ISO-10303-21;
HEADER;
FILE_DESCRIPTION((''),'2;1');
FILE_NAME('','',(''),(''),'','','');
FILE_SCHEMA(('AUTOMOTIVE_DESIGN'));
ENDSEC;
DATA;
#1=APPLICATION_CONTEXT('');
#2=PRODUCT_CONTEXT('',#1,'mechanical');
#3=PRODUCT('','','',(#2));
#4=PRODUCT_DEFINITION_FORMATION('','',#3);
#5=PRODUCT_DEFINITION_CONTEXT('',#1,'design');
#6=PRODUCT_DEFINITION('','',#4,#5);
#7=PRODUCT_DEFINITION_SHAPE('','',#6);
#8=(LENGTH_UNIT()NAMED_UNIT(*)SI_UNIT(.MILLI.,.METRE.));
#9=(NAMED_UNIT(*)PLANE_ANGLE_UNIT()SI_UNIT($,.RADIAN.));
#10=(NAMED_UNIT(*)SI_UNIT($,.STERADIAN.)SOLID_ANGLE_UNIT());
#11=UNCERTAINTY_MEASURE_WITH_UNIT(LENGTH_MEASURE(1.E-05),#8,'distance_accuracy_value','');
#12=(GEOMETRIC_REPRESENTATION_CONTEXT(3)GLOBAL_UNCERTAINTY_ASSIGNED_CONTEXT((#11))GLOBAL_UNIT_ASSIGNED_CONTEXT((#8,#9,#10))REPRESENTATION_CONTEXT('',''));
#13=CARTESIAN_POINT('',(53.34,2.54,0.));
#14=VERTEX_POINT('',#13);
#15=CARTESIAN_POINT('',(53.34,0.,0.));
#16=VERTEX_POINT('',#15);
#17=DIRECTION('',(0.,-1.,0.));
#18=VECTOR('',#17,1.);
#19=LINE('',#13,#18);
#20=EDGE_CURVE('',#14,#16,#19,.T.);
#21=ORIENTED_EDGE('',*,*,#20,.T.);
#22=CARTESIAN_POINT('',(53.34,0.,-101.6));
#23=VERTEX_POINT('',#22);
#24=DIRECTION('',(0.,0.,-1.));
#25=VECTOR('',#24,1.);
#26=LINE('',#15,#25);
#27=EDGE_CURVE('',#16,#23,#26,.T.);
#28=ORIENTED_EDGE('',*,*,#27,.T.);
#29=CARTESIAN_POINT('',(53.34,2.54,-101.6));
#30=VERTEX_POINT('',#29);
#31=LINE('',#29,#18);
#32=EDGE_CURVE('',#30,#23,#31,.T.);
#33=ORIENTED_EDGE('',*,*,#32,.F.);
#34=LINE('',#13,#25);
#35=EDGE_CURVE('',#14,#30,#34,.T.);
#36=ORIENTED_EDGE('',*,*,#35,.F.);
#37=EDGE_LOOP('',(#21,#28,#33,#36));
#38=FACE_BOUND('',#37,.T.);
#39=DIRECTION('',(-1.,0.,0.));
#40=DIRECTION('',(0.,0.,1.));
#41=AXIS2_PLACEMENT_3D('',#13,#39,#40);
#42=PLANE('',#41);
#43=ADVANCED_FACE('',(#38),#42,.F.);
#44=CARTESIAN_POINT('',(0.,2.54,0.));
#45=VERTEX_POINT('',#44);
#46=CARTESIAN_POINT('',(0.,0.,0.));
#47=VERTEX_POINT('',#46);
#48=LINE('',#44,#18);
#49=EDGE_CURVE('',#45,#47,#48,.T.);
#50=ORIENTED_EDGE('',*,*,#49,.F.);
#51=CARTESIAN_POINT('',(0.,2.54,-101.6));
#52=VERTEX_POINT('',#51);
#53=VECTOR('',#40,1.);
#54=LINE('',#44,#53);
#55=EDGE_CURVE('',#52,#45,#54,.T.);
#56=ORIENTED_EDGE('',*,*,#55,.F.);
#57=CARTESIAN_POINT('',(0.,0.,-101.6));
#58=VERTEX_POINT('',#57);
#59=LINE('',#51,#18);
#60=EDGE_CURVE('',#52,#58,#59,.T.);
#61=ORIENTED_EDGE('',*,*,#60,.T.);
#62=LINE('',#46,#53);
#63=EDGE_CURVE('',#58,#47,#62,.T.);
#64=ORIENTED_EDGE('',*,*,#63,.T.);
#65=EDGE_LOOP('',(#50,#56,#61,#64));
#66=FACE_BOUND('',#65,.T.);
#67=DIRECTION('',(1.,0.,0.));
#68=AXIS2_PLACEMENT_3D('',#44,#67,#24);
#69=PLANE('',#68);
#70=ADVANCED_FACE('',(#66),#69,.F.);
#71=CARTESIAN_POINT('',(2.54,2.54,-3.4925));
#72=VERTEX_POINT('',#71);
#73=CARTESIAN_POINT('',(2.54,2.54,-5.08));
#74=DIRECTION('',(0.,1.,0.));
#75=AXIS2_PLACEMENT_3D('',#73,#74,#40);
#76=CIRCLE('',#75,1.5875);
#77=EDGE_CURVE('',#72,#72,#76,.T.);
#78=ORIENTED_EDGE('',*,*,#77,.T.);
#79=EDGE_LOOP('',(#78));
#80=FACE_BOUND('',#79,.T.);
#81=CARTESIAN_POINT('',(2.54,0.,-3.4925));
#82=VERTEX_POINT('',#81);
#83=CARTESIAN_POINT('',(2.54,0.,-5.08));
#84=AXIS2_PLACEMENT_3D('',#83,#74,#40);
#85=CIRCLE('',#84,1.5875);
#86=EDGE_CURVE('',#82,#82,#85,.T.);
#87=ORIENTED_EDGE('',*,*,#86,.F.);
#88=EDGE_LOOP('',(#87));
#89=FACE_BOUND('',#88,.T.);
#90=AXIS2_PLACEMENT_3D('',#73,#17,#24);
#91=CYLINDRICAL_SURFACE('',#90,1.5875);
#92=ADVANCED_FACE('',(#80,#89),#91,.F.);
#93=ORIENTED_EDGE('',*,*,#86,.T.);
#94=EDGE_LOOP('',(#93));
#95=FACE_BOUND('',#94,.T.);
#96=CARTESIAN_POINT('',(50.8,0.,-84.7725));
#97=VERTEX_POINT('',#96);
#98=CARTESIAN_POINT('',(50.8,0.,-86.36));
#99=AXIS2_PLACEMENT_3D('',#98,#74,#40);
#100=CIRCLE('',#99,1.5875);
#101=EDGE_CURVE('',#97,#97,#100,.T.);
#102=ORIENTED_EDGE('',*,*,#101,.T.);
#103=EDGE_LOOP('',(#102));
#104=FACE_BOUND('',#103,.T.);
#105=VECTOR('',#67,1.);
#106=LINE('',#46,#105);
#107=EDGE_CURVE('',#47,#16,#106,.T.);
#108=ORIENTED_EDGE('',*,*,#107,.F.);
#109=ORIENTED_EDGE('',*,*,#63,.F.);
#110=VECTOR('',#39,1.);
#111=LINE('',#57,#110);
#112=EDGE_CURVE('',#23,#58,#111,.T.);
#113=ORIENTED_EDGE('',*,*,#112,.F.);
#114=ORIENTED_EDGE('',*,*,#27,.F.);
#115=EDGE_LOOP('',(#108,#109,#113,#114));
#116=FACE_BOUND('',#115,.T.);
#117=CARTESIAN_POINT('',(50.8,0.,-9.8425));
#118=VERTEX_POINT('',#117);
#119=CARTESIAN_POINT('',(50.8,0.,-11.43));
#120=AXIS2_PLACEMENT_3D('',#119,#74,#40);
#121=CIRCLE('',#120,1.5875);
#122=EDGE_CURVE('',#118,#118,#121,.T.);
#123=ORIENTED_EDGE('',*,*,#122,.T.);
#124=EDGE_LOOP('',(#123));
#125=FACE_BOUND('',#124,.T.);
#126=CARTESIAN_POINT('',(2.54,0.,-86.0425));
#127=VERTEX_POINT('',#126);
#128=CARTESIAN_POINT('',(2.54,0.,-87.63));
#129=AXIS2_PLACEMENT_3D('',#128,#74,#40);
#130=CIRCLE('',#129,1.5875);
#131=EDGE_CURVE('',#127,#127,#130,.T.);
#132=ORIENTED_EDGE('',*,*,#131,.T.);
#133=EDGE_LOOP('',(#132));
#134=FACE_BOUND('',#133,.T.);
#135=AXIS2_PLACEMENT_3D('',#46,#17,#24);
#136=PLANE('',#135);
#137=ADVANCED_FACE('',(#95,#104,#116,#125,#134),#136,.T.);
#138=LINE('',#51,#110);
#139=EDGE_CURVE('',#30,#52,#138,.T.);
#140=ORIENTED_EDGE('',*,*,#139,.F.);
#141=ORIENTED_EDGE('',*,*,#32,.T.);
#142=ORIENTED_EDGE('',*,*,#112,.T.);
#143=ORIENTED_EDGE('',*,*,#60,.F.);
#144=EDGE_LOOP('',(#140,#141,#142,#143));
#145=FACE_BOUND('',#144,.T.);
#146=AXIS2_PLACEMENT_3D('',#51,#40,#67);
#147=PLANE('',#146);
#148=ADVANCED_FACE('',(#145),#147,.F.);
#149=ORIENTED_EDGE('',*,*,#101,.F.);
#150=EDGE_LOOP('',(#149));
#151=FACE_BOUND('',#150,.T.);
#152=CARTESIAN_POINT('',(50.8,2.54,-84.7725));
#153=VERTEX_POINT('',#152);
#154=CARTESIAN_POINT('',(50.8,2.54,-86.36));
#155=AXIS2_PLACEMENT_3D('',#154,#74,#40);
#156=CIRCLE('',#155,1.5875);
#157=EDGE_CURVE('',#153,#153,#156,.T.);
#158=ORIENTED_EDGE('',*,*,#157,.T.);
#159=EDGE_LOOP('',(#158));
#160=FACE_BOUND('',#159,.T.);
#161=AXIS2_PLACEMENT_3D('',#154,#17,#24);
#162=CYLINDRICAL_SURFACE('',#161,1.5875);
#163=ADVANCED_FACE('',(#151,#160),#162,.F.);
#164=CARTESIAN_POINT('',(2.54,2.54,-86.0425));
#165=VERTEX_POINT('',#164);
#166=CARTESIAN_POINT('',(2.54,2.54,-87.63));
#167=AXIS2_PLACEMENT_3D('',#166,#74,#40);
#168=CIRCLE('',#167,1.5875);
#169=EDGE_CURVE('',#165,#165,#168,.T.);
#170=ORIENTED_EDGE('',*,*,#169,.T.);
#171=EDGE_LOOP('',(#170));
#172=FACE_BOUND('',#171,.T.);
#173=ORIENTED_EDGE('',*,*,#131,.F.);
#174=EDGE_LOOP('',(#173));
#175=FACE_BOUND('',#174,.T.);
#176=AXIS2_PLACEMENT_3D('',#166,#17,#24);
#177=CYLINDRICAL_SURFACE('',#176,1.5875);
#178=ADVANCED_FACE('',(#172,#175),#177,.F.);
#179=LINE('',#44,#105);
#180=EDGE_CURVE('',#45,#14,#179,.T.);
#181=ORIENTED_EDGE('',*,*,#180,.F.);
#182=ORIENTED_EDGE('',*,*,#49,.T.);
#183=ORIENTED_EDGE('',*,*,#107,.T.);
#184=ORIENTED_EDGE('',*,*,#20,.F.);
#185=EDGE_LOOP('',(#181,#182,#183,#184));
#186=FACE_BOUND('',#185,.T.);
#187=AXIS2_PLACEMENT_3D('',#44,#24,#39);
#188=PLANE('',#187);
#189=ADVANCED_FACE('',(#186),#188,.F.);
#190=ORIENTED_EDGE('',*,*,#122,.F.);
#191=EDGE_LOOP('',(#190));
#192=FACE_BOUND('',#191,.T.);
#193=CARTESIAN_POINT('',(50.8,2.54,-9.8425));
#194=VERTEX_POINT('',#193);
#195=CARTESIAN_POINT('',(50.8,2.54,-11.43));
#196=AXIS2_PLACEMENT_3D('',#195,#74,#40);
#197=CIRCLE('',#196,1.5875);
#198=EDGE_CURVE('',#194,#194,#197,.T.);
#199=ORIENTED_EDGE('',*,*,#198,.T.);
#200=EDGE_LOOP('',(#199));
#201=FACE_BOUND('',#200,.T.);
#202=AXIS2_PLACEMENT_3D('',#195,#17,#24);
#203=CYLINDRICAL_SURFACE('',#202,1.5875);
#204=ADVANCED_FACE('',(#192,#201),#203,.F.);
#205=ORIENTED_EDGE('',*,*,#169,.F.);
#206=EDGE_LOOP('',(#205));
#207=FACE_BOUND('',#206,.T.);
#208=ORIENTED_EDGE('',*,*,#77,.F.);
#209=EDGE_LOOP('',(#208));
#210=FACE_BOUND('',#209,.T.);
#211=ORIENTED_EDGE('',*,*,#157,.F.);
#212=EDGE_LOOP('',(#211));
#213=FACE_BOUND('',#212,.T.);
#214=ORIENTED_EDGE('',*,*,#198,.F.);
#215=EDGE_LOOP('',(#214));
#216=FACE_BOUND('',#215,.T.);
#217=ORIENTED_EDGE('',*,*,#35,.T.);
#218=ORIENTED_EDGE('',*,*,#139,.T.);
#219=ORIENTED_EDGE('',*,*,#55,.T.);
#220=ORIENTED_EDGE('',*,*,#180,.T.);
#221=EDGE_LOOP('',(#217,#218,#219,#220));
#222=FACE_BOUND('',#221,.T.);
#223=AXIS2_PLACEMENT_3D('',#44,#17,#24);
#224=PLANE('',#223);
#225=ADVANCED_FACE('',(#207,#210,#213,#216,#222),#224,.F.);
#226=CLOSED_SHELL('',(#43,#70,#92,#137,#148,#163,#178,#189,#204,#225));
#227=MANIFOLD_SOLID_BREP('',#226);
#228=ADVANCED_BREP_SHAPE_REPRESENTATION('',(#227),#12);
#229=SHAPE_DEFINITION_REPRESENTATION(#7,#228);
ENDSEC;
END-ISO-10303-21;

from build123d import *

# Parameters (mm, degrees)
SKETCH1_W           = 53.34
SKETCH1_H           = 101.6
SKETCH1_R           = 1.5875
BOSS_EXTRUDE1_DEPTH = 2.54


with BuildPart() as part:
    # Sketch1 → Boss-Extrude1 (new body)
    with BuildSketch(Plane(origin=(0, 0, 0), x_dir=(1, 0, 0), z_dir=(0, 1, 0))):
        with Locations((26.67, 50.8)):
            Rectangle(SKETCH1_W, SKETCH1_H)
        with Locations((50.8, 86.36)):
            Circle(SKETCH1_R, mode=Mode.SUBTRACT)
        with Locations((2.54, 87.63)):
            Circle(SKETCH1_R, mode=Mode.SUBTRACT)
        with Locations((2.54, 5.08)):
            Circle(SKETCH1_R, mode=Mode.SUBTRACT)
        with Locations((50.8, 11.43)):
            Circle(SKETCH1_R, mode=Mode.SUBTRACT)
    extrude(amount=BOSS_EXTRUDE1_DEPTH)


solid = part.part
